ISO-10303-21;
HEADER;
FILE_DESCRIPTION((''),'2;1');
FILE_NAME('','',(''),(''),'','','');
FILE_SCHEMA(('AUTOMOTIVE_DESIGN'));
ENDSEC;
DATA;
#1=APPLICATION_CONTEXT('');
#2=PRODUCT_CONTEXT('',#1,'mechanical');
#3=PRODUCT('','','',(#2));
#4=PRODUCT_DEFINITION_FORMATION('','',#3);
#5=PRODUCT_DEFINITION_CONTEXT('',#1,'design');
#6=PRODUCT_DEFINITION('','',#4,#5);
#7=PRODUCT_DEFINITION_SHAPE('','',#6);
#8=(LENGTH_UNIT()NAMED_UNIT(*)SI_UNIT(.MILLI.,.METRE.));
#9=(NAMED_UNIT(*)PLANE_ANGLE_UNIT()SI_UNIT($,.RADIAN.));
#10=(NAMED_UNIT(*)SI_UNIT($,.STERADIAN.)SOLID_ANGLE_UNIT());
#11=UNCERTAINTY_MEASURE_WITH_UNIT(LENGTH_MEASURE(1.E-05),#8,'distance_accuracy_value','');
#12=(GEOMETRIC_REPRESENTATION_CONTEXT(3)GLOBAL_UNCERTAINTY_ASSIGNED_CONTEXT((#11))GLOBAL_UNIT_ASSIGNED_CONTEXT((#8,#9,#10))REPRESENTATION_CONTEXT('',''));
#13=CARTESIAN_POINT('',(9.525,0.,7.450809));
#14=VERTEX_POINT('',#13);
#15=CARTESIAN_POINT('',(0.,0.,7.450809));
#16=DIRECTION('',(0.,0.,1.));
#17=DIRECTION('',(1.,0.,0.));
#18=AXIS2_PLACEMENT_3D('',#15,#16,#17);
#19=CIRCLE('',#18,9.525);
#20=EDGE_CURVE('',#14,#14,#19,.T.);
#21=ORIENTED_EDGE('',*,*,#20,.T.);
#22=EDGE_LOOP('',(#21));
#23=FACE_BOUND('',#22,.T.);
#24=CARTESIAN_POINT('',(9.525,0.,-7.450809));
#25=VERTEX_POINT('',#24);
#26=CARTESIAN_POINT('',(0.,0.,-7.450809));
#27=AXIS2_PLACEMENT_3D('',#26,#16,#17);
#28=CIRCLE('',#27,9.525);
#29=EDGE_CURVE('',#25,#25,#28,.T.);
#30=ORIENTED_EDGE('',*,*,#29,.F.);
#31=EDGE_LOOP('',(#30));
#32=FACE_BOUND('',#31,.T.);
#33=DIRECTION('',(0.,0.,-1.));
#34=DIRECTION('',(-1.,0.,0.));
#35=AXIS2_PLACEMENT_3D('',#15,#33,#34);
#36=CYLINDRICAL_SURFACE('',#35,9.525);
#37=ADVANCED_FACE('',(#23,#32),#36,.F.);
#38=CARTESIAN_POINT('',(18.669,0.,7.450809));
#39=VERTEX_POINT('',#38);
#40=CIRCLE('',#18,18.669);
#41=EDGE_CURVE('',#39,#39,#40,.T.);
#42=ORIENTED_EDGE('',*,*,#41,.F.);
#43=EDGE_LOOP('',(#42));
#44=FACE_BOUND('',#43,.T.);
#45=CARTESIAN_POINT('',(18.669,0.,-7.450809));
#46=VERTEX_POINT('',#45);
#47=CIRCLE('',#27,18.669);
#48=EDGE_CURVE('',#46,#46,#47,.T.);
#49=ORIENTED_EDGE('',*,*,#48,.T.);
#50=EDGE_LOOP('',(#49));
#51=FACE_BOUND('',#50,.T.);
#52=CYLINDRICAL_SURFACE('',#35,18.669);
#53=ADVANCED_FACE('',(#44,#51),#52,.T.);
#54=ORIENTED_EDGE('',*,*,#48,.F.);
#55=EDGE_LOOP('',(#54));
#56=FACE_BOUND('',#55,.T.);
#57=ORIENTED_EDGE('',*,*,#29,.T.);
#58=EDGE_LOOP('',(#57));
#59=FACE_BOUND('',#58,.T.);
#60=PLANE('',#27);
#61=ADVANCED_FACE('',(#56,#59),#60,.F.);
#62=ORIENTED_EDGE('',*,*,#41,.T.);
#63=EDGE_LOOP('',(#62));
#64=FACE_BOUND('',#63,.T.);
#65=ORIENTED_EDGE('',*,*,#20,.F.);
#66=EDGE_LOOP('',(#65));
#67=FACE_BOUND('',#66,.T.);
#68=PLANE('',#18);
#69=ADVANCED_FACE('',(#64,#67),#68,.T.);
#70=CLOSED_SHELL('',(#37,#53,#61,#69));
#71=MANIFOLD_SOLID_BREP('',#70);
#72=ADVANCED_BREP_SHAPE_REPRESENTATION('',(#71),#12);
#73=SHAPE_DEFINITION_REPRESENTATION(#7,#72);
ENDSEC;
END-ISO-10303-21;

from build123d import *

# Parameters (mm, degrees)
SKETCH1_R           = 18.669
SKETCH1_R_2         = 9.525
BOSS_EXTRUDE1_DEPTH = 7.450808568


with BuildPart() as part:
    # Sketch1 → Boss-Extrude1 (new body, symmetric)
    with BuildSketch(Plane.XY):
        Circle(SKETCH1_R)
        Circle(SKETCH1_R_2, mode=Mode.SUBTRACT)
    extrude(amount=BOSS_EXTRUDE1_DEPTH, both=True)


solid = part.part
